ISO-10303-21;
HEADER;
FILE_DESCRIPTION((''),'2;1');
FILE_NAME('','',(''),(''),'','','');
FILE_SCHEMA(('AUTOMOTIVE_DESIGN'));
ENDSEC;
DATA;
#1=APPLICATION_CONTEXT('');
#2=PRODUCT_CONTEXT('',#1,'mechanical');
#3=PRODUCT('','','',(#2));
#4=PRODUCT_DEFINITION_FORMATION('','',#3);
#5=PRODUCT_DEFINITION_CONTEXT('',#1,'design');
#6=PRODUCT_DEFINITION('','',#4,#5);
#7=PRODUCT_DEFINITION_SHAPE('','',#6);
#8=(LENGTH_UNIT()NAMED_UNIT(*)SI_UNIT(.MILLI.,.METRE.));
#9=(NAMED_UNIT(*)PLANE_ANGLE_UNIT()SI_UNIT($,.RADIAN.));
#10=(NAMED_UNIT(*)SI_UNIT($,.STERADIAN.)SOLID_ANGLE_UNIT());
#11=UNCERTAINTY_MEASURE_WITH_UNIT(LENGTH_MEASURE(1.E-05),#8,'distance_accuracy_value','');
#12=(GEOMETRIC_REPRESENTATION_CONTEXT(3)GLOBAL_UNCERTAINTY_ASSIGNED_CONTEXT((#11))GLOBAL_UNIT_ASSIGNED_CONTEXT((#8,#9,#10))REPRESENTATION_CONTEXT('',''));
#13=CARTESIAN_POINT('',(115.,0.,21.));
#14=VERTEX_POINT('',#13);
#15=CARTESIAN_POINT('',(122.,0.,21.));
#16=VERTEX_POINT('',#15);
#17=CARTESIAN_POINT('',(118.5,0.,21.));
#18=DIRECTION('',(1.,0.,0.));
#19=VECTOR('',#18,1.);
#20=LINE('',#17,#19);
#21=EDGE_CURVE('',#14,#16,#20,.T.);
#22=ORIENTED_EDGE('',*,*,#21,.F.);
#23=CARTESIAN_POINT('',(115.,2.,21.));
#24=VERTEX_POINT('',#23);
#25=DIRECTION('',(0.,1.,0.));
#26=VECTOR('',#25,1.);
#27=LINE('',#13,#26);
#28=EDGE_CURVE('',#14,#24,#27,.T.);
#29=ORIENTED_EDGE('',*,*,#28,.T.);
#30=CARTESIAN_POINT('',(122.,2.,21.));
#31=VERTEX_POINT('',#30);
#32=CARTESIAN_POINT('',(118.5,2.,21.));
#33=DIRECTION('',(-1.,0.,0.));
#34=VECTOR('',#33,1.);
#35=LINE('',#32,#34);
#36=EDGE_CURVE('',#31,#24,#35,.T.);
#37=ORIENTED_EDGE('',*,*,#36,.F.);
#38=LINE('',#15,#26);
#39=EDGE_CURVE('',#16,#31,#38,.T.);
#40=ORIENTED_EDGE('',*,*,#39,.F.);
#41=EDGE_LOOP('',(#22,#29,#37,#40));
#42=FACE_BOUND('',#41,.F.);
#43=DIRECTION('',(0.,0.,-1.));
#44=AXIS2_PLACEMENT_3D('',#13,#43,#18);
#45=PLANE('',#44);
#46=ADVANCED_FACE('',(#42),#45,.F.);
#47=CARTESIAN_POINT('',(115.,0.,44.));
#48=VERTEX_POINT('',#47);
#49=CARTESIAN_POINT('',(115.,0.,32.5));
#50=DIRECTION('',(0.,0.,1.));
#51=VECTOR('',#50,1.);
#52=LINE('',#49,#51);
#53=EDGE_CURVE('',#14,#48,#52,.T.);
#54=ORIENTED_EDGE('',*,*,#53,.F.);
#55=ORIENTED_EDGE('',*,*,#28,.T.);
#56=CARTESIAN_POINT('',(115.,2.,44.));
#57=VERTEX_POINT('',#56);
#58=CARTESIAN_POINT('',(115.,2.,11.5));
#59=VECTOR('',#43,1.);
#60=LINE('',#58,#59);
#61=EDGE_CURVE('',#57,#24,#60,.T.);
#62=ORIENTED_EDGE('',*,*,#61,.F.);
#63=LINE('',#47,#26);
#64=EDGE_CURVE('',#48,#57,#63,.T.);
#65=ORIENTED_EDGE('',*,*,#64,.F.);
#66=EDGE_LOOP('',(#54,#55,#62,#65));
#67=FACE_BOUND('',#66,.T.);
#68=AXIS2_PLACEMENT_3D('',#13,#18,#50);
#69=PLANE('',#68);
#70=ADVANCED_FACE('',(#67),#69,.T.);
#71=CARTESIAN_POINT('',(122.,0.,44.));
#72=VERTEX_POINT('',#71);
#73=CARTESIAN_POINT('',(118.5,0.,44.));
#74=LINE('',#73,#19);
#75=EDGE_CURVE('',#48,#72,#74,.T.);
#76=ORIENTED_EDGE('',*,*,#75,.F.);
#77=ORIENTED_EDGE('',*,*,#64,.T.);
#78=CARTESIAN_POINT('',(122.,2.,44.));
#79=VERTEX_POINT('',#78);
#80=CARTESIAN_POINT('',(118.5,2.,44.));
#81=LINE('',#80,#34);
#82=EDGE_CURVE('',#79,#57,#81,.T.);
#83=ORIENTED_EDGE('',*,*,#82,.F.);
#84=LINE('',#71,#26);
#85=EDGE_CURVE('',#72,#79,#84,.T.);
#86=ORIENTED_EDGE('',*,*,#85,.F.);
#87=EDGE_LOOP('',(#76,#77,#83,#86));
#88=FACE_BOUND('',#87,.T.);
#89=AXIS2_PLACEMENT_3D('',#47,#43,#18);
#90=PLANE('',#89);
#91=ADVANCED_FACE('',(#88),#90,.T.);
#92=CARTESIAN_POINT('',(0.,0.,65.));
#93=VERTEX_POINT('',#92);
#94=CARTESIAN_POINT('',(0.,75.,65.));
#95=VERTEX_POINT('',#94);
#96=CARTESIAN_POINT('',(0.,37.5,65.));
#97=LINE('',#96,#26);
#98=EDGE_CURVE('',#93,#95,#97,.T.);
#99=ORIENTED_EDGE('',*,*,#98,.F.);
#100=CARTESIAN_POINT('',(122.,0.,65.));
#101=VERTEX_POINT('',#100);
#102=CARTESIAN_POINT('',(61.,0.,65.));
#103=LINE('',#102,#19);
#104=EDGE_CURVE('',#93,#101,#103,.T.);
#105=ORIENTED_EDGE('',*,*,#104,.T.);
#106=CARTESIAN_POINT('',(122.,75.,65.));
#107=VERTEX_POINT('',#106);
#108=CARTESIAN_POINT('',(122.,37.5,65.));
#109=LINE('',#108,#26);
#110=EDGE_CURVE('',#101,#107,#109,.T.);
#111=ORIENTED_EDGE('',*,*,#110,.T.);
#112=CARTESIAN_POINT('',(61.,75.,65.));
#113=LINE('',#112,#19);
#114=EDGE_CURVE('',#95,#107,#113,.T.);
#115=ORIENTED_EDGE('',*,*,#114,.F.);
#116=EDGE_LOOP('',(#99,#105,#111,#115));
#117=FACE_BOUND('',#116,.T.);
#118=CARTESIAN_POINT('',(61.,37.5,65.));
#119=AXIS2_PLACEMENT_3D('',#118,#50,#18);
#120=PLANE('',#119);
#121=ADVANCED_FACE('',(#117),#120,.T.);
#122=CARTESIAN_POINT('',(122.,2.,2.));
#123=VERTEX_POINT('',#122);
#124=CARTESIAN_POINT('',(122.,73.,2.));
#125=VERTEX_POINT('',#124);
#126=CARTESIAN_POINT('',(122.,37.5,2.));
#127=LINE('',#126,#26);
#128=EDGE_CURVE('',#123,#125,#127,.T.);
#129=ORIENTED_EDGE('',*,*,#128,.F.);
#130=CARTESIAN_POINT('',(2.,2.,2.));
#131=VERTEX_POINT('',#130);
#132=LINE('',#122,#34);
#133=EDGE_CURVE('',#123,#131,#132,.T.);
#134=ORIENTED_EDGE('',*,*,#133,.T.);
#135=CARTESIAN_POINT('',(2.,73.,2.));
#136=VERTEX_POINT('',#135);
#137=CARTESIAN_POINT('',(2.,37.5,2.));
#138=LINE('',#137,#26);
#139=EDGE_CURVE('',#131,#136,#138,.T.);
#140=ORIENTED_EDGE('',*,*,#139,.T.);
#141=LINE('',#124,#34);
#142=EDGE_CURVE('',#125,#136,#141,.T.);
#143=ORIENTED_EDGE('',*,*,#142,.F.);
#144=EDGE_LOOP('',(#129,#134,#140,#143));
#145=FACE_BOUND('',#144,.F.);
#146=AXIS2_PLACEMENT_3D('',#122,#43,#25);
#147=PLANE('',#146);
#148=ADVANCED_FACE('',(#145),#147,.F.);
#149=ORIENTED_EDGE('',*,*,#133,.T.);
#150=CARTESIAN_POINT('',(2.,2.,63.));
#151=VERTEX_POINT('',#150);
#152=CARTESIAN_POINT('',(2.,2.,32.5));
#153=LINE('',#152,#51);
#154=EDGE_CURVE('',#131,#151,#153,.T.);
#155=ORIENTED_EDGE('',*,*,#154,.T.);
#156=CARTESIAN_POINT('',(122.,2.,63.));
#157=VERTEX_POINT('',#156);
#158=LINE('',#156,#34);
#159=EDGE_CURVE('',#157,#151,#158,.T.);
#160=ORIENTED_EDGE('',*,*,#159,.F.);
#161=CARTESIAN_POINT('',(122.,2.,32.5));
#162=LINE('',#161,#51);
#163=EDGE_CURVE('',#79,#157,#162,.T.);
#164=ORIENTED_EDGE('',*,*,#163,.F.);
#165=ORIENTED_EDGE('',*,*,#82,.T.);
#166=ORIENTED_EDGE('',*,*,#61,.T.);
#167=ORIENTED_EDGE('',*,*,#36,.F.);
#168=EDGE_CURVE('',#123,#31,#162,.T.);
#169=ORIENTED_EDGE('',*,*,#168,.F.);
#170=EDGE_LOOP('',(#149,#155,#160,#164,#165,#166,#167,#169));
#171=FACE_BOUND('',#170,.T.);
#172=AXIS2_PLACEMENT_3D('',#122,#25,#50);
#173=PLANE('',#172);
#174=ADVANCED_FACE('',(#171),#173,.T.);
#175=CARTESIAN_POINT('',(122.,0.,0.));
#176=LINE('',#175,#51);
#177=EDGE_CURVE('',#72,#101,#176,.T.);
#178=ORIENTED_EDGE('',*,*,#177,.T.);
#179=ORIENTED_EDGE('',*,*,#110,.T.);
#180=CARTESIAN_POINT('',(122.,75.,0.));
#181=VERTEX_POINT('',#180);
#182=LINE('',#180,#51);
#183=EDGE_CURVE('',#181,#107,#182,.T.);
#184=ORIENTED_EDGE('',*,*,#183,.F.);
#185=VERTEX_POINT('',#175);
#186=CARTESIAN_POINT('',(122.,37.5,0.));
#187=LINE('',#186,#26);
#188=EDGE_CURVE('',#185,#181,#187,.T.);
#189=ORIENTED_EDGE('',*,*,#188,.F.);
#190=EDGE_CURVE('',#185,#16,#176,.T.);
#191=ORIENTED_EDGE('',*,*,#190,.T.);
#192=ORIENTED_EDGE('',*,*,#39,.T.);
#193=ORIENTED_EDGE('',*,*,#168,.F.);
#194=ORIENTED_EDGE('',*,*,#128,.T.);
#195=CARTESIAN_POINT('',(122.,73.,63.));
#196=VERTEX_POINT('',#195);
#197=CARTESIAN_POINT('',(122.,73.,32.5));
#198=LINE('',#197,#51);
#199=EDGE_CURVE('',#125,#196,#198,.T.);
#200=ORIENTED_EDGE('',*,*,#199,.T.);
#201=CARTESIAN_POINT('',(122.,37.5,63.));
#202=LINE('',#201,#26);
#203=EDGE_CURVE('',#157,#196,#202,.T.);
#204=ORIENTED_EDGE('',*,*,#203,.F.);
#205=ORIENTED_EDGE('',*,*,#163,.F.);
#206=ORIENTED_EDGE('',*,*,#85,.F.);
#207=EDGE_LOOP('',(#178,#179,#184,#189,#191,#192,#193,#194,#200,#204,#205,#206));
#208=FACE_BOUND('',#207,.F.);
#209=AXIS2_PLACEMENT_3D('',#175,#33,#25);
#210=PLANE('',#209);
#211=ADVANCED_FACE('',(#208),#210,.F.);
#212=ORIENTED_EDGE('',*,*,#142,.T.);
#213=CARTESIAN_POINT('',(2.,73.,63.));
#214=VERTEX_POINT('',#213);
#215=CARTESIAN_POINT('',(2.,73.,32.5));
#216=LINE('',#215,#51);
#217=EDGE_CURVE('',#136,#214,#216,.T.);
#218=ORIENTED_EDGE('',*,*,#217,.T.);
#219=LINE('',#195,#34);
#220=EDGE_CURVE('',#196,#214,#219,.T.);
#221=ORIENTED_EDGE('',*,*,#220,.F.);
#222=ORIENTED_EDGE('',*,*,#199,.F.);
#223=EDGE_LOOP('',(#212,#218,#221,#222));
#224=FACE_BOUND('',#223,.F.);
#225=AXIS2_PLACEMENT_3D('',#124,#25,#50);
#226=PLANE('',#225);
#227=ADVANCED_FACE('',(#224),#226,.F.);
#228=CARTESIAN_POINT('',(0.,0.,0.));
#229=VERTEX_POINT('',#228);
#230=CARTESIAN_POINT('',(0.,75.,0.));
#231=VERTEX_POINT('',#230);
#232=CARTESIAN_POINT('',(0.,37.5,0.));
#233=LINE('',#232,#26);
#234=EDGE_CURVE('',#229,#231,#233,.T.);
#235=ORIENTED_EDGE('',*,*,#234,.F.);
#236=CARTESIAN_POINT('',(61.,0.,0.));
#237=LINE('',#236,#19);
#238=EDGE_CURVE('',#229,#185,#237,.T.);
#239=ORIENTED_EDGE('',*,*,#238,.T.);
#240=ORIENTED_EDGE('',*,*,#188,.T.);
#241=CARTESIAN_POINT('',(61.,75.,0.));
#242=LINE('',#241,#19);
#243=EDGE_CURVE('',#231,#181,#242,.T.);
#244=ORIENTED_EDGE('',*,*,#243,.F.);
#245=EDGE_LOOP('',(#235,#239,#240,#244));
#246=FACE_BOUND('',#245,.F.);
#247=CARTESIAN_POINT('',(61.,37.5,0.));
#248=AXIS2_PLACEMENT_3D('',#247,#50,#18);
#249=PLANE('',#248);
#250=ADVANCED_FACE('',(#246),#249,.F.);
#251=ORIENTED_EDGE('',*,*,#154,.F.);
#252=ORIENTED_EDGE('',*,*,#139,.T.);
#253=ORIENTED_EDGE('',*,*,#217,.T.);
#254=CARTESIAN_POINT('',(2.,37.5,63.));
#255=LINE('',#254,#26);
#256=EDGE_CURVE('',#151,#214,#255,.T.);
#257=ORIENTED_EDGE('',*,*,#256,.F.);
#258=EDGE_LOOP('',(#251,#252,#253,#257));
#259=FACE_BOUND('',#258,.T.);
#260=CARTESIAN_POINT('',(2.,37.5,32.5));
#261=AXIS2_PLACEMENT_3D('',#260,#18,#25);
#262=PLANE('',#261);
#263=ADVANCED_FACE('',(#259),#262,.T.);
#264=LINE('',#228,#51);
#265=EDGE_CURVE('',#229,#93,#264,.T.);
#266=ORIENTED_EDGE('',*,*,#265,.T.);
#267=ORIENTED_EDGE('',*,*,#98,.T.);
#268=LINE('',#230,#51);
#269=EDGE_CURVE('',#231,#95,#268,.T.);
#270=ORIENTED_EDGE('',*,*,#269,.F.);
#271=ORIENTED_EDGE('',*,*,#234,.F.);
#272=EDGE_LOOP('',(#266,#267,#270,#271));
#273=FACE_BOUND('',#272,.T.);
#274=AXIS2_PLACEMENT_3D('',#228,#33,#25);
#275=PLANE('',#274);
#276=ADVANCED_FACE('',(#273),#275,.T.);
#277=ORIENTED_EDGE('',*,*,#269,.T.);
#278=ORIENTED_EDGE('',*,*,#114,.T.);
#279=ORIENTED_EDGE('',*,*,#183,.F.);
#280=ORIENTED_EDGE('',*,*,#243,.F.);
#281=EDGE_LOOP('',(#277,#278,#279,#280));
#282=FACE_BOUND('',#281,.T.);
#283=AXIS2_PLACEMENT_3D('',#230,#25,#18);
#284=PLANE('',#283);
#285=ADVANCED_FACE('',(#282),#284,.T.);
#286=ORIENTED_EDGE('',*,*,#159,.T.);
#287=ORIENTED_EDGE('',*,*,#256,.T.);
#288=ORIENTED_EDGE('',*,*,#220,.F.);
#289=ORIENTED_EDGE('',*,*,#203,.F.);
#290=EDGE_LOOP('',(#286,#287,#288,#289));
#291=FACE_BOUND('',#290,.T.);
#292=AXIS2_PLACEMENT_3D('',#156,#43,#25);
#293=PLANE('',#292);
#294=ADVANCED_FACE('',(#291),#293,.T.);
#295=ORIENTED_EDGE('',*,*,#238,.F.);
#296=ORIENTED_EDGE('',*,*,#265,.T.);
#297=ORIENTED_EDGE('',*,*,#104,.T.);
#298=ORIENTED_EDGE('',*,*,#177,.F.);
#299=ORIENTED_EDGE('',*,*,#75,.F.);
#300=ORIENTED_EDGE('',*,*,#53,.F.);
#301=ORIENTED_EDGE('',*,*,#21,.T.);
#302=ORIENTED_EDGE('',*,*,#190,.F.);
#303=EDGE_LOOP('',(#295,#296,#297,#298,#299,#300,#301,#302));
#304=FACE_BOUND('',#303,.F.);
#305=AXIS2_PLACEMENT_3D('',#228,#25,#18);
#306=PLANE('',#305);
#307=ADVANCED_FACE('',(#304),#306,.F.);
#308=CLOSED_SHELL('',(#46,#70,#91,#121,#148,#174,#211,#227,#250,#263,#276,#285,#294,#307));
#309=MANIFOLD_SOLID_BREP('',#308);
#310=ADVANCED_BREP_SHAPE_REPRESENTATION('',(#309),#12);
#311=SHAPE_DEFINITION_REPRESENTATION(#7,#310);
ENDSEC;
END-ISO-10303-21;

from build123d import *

# Parameters (mm, degrees)
F0_W     = 122
F0_H     = 75
F1_DEPTH = 65
F2_W     = 71
F2_H     = 61
F3_DEPTH = 120
F4_W     = 7
F4_H     = 23
F5_DEPTH = 25


with BuildPart() as f1:
    # F0 (on Top) → F1 (new body)
    with BuildSketch(Plane.XY):
        with Locations((61, 37.5)):
            Rectangle(F0_W, F0_H)
    extrude(amount=F1_DEPTH)

    # F2 (on face) → F3 (cut)
    with BuildSketch(Plane.YZ.offset(122)):
        with Locations((37.5, 32.5)):
            Rectangle(F2_W, F2_H)
    extrude(amount=-F3_DEPTH, mode=Mode.SUBTRACT)

    # F4 (on face) → F5 (cut)
    with BuildSketch(Plane.XZ):
        with Locations((118.5, 32.5)):
            Rectangle(F4_W, F4_H)
    extrude(amount=-F5_DEPTH, mode=Mode.SUBTRACT)


solid = f1.part
